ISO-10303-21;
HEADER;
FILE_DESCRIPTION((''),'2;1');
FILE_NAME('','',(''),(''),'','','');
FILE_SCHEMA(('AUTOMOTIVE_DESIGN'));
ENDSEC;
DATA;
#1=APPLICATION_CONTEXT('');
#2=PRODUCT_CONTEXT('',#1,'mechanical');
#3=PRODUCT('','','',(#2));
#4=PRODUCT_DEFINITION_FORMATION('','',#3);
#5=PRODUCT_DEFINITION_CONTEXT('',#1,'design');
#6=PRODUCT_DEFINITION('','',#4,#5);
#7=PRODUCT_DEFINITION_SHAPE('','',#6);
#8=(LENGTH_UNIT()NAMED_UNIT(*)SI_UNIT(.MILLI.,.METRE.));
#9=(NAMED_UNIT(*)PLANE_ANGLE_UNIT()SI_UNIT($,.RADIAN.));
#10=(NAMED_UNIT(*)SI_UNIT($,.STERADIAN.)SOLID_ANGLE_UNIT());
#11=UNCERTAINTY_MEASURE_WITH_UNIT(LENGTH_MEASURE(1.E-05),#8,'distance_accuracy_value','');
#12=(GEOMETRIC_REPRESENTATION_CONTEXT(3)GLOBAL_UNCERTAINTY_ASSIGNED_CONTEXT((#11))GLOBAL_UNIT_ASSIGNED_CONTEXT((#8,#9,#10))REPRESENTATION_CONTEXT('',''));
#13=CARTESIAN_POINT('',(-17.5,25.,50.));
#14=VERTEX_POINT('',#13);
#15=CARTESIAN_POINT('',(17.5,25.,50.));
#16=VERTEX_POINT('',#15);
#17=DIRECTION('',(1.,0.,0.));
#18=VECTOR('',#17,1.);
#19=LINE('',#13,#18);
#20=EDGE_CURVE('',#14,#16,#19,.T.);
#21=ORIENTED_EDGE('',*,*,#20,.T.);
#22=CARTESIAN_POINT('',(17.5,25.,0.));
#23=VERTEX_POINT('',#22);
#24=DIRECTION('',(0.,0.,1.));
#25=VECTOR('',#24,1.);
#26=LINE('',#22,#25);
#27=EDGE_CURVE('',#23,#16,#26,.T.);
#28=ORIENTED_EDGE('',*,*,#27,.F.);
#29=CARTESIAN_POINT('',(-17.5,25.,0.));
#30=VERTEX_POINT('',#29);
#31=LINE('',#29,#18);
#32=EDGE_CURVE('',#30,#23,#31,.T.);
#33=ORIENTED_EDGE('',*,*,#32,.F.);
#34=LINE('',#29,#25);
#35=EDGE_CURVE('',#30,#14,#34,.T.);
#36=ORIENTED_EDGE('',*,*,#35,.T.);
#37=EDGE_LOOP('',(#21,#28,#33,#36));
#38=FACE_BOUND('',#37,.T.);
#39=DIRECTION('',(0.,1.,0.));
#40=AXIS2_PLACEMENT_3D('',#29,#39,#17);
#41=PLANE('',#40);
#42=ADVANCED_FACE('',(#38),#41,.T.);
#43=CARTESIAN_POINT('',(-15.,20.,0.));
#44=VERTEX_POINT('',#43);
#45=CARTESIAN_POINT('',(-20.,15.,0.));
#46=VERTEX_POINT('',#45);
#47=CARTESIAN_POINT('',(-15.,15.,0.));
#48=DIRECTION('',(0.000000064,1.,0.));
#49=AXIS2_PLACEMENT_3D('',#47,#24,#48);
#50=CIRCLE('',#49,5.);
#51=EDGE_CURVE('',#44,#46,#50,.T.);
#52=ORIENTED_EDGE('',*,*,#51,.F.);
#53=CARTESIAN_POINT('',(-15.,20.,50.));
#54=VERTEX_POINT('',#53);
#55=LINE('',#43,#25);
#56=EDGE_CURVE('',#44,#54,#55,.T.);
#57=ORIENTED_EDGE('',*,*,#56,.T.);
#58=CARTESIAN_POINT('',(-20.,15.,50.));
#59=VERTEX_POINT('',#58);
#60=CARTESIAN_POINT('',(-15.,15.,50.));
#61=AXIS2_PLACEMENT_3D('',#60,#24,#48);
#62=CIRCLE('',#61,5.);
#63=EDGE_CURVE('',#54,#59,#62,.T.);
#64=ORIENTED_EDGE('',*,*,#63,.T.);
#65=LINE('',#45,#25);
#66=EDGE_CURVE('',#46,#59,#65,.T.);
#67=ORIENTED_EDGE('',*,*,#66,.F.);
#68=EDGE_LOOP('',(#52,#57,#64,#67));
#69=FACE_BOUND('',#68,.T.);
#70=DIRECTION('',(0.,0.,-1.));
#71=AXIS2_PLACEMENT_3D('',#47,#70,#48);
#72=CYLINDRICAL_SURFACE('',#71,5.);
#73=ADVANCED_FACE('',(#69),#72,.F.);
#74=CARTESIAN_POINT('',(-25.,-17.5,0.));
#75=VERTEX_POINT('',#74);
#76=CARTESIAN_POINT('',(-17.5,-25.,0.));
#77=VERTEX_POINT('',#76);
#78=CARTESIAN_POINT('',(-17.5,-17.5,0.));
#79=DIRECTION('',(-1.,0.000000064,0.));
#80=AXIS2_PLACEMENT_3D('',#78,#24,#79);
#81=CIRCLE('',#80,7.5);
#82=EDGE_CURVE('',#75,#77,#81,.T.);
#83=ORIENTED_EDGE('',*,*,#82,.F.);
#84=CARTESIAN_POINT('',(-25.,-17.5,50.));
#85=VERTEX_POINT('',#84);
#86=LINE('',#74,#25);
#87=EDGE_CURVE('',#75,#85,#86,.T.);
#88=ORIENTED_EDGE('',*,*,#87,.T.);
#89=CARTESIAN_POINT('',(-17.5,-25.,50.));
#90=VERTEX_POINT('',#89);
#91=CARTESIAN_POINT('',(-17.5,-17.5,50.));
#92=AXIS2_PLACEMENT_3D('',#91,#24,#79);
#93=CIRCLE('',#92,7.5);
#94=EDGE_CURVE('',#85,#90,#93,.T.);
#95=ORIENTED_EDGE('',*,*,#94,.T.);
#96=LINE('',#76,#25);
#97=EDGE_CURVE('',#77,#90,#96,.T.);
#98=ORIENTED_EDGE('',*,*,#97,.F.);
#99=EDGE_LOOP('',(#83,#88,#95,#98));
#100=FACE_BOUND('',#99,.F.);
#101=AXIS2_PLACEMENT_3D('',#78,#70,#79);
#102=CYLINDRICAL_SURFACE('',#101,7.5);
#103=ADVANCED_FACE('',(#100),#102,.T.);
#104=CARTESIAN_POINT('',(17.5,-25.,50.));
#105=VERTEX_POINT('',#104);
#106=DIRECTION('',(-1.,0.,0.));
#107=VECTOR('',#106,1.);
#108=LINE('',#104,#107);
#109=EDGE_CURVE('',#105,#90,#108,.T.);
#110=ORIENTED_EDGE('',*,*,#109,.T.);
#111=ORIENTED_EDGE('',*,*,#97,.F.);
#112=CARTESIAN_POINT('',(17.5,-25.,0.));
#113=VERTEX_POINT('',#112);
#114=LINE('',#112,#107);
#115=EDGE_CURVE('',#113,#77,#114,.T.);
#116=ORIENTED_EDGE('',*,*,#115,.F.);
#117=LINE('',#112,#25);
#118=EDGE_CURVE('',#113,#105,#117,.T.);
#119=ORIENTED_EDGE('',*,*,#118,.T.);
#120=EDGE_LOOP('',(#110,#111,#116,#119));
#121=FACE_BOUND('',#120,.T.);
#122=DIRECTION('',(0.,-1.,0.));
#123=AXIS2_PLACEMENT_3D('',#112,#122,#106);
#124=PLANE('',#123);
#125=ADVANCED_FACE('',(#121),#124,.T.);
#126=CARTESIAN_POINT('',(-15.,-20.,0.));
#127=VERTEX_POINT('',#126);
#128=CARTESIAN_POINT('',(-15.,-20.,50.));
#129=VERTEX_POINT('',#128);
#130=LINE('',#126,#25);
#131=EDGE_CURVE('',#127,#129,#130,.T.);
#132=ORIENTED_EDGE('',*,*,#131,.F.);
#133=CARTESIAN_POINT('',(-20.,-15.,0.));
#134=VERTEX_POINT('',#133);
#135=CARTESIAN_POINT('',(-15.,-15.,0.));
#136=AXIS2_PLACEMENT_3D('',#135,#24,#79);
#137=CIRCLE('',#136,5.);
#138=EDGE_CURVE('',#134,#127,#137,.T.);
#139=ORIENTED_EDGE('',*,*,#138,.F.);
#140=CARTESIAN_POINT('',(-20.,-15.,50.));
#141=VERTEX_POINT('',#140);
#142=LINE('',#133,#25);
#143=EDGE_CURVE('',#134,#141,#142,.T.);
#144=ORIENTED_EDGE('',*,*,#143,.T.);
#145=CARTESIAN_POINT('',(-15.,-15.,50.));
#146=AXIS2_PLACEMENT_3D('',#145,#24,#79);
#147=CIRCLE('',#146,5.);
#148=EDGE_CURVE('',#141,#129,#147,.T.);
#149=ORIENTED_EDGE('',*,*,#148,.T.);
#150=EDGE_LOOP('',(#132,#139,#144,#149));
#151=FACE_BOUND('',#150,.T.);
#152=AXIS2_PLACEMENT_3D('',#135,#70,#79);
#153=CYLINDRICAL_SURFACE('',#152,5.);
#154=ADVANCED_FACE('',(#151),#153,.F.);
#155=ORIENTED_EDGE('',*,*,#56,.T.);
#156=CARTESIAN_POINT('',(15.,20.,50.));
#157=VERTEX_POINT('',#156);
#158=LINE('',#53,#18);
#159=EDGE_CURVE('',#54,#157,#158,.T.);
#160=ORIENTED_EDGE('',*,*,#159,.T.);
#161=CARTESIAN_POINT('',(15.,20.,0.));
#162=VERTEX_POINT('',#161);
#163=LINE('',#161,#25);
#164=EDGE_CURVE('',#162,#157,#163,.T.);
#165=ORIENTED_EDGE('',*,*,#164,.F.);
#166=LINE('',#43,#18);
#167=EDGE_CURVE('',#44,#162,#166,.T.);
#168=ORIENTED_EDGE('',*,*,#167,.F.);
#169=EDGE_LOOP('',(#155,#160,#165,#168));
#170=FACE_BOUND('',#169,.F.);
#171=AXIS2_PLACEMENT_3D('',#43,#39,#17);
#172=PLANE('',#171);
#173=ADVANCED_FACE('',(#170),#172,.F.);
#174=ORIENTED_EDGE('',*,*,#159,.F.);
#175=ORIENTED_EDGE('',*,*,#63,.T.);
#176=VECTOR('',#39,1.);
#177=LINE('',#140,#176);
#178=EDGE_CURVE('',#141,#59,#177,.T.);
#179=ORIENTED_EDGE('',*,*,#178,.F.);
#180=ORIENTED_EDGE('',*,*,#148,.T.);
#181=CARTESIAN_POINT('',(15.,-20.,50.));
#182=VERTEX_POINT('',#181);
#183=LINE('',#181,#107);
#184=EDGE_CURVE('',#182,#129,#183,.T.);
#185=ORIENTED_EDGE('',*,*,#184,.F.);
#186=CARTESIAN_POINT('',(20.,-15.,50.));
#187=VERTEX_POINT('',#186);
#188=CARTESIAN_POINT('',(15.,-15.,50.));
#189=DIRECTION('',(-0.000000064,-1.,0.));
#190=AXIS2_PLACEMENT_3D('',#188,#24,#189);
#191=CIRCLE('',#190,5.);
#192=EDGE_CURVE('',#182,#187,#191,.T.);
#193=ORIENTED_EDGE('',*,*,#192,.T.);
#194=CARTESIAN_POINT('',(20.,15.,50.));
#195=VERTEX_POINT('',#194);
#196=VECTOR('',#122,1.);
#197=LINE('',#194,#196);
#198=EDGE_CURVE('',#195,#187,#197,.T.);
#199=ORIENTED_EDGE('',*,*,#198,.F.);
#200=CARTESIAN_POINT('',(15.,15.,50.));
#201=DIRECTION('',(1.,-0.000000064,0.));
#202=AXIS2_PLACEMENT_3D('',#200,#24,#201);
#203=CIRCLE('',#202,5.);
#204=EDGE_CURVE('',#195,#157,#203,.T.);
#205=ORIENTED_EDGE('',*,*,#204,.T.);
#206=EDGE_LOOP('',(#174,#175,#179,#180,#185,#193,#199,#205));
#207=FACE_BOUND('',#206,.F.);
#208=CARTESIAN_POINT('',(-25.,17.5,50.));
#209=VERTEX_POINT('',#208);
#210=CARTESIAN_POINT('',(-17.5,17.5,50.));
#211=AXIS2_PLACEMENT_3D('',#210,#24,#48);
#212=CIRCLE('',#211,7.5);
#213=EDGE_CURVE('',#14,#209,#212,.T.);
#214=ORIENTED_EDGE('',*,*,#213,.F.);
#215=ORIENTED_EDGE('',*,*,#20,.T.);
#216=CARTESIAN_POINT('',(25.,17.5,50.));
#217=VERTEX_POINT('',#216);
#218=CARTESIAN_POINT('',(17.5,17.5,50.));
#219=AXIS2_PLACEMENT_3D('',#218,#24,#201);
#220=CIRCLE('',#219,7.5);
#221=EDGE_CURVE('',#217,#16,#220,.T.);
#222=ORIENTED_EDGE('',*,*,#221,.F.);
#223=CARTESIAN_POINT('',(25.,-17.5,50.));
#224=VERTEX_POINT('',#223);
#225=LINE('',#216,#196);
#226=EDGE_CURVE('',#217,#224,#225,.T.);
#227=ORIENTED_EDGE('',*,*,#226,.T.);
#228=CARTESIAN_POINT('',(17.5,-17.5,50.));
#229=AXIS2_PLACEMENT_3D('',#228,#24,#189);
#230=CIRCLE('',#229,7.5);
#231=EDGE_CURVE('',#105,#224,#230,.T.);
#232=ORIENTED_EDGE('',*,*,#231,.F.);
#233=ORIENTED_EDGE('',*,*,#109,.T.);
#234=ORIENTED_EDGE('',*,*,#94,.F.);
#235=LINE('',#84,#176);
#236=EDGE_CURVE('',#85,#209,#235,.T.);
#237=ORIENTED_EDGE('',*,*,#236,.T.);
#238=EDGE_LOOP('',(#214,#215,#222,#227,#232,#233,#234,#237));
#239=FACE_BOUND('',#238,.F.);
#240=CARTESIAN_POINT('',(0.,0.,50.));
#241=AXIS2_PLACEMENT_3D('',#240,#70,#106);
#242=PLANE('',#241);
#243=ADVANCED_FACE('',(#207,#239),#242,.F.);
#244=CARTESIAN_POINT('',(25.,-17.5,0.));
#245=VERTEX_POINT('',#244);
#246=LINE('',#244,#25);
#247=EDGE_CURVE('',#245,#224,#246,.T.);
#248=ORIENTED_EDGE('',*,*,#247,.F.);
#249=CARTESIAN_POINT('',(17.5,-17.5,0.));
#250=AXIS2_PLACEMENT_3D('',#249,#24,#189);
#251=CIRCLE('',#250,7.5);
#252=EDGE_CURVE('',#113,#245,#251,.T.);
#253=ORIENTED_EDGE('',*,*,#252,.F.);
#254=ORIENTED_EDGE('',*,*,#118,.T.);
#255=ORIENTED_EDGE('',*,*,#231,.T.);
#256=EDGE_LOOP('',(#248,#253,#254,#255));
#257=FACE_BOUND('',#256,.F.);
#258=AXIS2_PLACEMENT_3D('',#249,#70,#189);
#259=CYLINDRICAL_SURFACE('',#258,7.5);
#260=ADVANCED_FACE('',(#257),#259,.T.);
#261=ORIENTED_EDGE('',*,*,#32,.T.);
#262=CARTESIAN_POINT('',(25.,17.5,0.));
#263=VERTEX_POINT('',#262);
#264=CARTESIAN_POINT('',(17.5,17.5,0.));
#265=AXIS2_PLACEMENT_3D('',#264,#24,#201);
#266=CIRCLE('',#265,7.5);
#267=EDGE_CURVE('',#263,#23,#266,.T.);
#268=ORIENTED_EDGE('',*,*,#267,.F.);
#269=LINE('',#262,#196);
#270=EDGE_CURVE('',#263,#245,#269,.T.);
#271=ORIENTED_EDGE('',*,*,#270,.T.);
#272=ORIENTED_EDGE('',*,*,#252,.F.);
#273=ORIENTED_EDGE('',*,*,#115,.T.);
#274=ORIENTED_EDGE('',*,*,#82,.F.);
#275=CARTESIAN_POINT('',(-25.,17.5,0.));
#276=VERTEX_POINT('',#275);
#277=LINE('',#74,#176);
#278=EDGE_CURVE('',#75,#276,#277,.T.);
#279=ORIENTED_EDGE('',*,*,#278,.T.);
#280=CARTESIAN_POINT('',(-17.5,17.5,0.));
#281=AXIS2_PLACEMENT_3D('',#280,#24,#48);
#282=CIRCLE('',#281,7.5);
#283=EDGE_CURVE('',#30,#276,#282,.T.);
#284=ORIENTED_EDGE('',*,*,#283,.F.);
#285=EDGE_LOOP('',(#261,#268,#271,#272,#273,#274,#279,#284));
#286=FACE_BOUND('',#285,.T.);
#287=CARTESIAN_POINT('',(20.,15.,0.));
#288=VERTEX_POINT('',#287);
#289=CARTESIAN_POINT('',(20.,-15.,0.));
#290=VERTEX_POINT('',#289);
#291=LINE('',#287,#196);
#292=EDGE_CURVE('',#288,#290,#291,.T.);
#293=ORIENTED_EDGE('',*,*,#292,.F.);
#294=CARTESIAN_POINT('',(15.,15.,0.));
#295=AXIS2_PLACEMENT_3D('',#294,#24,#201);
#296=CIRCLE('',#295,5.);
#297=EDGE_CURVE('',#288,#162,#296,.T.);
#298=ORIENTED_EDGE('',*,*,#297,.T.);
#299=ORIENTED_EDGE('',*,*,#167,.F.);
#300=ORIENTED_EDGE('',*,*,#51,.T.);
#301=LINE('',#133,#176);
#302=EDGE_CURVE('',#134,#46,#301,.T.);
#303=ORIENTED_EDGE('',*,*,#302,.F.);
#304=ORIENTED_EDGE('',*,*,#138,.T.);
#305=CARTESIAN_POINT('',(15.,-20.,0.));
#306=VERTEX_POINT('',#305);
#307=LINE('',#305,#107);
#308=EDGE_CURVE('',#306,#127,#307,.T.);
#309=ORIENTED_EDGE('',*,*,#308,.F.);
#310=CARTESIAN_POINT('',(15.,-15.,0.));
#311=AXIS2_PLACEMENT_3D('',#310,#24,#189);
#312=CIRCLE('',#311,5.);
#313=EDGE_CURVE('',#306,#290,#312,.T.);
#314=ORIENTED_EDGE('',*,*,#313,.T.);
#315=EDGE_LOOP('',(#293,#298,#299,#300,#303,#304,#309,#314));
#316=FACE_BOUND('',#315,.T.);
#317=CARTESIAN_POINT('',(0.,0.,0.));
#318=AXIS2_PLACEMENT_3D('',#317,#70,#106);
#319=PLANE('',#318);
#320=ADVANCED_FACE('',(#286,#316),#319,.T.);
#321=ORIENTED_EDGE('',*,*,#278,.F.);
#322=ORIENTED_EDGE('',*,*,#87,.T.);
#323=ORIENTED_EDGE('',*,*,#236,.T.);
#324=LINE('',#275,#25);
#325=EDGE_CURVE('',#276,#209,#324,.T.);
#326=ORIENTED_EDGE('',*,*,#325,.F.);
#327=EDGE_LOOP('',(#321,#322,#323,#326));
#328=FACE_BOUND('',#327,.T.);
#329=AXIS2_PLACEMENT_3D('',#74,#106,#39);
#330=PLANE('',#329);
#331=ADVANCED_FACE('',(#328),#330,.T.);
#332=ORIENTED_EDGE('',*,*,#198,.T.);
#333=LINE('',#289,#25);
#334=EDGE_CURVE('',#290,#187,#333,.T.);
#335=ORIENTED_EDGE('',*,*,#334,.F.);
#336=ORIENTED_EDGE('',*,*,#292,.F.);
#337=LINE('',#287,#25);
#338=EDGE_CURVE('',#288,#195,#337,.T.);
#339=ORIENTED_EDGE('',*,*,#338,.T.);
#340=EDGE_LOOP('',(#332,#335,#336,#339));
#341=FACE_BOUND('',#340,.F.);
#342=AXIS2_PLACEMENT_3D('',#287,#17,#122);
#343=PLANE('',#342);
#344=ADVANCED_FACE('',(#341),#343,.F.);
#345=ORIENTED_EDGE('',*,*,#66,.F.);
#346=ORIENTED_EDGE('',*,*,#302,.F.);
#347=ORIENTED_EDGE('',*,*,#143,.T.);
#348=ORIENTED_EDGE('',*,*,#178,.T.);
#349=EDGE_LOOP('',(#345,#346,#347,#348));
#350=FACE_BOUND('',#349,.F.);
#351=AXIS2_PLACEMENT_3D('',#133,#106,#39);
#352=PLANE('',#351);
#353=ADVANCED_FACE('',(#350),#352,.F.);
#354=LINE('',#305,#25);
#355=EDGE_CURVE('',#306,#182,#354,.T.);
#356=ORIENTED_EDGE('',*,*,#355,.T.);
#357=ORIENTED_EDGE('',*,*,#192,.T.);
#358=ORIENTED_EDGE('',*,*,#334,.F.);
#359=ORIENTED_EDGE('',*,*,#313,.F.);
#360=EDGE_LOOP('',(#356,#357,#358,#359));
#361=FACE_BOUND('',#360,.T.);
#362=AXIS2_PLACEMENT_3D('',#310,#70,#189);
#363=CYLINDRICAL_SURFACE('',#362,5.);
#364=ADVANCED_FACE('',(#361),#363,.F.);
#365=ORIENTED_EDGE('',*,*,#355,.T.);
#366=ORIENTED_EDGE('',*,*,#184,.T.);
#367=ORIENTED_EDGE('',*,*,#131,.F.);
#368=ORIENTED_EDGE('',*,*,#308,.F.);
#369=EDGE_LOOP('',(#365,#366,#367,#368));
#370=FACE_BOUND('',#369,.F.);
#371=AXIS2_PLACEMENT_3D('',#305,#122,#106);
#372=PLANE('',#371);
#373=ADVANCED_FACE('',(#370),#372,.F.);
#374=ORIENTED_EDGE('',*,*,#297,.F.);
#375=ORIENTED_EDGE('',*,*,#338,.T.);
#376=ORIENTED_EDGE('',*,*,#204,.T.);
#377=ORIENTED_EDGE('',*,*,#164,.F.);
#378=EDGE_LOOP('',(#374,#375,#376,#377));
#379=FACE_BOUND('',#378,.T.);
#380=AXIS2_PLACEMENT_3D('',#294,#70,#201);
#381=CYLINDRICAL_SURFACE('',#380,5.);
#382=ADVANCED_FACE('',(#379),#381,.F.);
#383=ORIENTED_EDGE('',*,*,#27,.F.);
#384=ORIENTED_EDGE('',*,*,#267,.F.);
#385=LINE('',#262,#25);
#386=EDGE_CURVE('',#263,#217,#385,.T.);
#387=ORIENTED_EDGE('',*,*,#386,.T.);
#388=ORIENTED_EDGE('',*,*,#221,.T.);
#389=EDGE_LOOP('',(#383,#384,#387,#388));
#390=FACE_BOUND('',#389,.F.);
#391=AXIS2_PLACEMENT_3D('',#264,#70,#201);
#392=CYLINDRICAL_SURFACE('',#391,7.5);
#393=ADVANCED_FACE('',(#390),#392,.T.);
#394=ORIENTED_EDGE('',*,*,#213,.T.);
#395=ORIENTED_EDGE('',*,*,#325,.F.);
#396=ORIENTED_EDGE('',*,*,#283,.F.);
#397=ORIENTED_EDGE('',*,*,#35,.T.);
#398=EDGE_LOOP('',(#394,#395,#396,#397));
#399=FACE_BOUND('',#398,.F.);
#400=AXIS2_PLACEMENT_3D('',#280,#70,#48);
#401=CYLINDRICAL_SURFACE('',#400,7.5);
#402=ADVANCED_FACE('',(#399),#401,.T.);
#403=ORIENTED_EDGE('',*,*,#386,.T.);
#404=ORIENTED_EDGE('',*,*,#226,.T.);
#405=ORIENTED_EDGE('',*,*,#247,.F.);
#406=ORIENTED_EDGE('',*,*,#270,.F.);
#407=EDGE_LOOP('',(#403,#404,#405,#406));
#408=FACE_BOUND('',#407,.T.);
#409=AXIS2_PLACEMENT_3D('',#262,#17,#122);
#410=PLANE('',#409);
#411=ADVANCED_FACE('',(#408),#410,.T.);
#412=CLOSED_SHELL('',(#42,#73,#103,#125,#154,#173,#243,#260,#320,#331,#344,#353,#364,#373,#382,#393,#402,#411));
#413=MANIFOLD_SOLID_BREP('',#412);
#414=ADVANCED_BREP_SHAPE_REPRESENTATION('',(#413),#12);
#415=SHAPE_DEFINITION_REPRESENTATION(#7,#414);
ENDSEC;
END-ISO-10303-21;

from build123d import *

# Parameters (mm, degrees)
EXTRUDE_DEPTH = 50


with BuildPart() as part:
    # Sketch → Extrude (new body)
    with BuildSketch(Plane.XY):
        with BuildLine():
            Line((-17.5, 25), (17.5, 25))
            ThreePointArc((25, 17.5), (22.803301, 22.803301), (17.5, 25))
            Line((25, 17.5), (25, -17.5))
            ThreePointArc((17.5, -25), (22.803301, -22.803301), (25, -17.5))
            Line((17.5, -25), (-17.5, -25))
            ThreePointArc((-25, -17.5), (-22.803301, -22.803301), (-17.5, -25))
            Line((-25, -17.5), (-25, 17.5))
            ThreePointArc((-17.5, 25), (-22.803301, 22.803301), (-25, 17.5))
        make_face()
        with BuildLine():
            Line((-15, 20), (15, 20))
            ThreePointArc((20, 15), (18.535534, 18.535534), (15, 20))
            Line((20, 15), (20, -15))
            ThreePointArc((15, -20), (18.535534, -18.535534), (20, -15))
            Line((15, -20), (-15, -20))
            ThreePointArc((-20, -15), (-18.535534, -18.535534), (-15, -20))
            Line((-20, -15), (-20, 15))
            ThreePointArc((-15, 20), (-18.535534, 18.535534), (-20, 15))
        make_face(mode=Mode.SUBTRACT)
    extrude(amount=EXTRUDE_DEPTH)


solid = part.part
